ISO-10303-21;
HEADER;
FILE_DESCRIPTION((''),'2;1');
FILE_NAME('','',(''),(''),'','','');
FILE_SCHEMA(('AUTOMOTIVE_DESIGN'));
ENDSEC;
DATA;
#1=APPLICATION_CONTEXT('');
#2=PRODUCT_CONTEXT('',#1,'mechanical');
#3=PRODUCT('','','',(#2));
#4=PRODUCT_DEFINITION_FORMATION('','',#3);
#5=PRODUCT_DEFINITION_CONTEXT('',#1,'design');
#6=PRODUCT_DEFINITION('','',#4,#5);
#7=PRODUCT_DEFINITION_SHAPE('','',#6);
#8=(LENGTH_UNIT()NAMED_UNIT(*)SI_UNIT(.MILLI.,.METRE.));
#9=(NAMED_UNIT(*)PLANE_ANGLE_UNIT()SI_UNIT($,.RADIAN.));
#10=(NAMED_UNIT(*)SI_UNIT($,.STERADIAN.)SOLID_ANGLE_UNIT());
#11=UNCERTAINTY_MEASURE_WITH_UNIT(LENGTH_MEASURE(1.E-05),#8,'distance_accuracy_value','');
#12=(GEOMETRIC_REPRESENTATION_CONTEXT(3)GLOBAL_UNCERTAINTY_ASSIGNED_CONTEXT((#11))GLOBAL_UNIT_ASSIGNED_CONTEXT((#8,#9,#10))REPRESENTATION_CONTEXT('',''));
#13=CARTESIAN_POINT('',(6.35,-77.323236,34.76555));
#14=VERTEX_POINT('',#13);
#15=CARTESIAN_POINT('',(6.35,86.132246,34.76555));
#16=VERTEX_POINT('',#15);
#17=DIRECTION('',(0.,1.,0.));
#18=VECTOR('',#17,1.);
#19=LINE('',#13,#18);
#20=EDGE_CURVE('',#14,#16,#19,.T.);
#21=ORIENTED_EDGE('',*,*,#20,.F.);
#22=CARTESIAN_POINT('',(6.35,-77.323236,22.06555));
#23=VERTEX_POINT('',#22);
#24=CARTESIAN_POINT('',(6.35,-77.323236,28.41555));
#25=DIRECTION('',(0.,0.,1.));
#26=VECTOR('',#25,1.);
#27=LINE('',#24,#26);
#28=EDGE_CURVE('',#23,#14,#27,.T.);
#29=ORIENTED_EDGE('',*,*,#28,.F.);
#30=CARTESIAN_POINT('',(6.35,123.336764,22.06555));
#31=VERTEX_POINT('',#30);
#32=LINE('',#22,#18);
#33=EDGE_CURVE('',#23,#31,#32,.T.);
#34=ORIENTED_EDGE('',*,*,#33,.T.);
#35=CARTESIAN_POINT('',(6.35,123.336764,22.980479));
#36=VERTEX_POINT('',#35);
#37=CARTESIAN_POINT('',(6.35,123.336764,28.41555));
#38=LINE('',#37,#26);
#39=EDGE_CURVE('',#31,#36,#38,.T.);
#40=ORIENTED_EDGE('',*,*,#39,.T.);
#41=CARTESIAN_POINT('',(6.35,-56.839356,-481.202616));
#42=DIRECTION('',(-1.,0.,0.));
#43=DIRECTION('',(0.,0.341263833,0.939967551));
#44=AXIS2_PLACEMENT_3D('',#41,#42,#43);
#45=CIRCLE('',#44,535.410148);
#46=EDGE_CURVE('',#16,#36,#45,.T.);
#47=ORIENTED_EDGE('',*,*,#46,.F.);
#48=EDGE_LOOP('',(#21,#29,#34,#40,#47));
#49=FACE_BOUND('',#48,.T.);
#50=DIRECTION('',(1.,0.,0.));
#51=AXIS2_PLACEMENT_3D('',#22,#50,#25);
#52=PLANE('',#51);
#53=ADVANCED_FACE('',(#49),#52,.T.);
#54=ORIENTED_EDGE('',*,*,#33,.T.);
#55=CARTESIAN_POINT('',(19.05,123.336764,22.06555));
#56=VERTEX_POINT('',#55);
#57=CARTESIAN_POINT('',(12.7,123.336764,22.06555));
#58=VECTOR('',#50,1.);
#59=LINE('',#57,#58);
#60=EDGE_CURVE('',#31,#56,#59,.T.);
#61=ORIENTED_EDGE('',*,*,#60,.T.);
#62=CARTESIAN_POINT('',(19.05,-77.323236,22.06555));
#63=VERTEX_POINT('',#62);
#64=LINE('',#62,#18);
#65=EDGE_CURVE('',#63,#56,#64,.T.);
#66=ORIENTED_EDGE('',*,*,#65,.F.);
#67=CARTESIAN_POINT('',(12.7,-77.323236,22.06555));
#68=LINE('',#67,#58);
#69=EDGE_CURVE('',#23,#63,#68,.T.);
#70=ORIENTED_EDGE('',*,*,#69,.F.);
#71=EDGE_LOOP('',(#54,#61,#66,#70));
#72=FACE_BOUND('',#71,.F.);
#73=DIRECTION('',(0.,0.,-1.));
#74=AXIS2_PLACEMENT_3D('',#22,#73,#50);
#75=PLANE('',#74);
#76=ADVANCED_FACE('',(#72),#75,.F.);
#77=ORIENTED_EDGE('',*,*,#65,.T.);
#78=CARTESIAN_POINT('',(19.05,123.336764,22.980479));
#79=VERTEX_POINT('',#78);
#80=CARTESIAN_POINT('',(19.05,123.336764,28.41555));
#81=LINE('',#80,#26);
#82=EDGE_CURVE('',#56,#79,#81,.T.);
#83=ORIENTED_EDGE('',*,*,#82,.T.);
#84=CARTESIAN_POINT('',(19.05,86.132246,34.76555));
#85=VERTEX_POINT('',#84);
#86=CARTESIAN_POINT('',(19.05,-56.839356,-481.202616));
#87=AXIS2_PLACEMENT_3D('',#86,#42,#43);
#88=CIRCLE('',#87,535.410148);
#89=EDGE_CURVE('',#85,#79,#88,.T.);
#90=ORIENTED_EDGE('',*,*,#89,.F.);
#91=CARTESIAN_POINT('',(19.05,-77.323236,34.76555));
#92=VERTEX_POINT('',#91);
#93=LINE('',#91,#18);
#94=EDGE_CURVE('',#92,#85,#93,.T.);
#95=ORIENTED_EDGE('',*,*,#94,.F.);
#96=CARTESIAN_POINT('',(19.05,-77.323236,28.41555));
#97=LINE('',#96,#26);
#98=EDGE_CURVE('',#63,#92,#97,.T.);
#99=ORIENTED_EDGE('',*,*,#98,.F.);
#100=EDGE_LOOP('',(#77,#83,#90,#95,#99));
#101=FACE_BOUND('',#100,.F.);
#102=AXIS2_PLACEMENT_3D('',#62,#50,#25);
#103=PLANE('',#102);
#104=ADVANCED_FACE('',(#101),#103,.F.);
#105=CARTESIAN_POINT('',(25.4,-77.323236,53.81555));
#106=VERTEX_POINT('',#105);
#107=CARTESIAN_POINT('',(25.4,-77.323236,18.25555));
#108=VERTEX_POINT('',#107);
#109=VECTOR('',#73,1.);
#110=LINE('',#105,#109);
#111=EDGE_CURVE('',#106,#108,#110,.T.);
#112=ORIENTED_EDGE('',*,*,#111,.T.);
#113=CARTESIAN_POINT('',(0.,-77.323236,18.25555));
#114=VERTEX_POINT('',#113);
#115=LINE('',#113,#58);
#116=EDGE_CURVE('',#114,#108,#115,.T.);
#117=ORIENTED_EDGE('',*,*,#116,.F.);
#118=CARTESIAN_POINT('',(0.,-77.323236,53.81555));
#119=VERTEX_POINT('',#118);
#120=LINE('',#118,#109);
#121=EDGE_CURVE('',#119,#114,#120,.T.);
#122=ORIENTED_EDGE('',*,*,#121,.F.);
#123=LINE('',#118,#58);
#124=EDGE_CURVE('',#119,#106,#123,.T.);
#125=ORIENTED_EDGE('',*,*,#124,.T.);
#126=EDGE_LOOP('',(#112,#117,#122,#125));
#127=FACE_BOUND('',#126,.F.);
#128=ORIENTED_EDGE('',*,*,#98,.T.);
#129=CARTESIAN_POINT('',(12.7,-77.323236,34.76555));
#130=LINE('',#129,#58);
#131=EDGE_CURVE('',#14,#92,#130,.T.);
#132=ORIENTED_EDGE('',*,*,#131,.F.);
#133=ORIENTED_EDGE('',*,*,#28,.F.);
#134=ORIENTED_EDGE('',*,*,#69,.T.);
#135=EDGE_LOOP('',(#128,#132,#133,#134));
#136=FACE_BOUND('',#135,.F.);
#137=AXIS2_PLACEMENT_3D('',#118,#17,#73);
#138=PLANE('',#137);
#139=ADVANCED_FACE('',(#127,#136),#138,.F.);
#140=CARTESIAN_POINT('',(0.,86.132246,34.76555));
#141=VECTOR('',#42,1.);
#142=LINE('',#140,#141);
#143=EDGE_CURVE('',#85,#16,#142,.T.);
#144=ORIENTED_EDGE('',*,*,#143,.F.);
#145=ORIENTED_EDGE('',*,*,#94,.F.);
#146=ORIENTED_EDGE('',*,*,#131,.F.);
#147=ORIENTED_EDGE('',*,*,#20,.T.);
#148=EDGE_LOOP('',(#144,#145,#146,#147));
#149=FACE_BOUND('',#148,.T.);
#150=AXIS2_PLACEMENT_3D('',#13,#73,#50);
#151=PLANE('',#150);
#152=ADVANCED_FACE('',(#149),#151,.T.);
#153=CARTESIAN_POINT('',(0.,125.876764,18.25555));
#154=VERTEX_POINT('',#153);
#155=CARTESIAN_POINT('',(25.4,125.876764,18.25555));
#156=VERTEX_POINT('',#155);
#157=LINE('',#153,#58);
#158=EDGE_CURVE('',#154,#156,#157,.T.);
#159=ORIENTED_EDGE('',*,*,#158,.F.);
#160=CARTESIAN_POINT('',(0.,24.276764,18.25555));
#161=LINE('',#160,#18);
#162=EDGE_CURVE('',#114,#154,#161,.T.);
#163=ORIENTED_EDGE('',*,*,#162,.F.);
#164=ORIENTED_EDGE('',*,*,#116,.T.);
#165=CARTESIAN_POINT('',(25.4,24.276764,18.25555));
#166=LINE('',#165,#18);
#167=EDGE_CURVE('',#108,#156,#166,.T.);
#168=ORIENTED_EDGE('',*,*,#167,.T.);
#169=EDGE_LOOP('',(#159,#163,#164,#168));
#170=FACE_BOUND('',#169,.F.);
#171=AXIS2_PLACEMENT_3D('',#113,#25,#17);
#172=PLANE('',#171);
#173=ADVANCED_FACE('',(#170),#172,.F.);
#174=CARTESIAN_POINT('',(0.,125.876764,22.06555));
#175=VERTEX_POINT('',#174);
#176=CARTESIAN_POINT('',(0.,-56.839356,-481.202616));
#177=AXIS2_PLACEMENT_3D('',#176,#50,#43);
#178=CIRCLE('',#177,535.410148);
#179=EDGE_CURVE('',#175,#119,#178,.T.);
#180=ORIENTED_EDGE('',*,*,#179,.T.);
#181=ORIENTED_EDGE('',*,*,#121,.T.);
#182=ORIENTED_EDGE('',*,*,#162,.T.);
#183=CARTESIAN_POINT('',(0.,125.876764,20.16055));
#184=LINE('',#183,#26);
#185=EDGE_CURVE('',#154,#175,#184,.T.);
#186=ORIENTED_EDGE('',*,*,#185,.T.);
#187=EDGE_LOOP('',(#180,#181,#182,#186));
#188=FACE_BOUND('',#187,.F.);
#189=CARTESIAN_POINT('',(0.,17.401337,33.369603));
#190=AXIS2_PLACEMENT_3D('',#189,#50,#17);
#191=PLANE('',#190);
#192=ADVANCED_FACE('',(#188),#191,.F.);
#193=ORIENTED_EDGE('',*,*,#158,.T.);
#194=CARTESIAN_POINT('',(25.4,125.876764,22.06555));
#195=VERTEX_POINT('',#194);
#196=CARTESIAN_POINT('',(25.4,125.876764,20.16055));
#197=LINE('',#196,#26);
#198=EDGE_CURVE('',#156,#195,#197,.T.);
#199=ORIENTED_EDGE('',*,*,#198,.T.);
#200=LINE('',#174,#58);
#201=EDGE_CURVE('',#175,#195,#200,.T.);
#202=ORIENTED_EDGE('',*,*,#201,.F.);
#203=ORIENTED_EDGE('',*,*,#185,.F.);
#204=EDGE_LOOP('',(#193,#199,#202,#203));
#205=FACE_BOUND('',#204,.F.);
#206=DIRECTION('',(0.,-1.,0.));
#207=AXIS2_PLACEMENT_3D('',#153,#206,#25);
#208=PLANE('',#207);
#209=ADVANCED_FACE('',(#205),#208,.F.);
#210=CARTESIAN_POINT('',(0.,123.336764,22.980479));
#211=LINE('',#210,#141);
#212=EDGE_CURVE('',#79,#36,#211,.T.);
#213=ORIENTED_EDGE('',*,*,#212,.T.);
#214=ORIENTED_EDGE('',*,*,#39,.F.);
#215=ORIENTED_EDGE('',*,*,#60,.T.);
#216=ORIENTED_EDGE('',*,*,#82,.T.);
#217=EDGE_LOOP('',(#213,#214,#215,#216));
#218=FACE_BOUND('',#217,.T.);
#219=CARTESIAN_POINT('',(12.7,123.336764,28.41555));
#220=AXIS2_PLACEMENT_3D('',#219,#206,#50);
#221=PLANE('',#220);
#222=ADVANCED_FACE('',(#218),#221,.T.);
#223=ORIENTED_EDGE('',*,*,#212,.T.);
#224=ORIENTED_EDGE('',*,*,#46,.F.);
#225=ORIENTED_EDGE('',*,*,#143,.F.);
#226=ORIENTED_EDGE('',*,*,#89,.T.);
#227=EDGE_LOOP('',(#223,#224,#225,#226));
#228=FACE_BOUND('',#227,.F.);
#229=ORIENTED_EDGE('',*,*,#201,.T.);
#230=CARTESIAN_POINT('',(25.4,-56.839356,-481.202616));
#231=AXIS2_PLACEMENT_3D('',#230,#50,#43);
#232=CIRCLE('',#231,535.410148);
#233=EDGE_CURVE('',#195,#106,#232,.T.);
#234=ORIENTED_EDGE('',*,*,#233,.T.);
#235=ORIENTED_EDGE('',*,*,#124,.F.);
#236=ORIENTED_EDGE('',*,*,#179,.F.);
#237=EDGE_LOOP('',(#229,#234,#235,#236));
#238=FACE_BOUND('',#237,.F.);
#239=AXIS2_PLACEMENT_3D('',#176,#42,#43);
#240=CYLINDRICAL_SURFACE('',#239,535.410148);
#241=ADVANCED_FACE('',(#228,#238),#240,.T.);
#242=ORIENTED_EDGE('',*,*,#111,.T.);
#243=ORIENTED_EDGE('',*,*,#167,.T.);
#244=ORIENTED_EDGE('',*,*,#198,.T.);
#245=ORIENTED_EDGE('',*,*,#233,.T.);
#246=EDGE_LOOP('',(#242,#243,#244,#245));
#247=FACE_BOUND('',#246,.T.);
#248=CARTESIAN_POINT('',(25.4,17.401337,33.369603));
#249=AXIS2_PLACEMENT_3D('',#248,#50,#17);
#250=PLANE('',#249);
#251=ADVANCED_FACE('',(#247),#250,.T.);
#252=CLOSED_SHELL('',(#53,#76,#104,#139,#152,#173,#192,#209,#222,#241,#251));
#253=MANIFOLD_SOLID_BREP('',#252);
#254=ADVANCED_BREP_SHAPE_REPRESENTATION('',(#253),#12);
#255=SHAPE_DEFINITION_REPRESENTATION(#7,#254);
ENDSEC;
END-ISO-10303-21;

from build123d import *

# Parameters (mm, degrees)
F0_W     = 203.2
F0_H     = 3.81
F1_DEPTH = 25.4
F2_W     = 12.7
F2_H     = 12.7
F3_DEPTH = 200.66


with BuildPart() as f1:
    # F0 (on Right) → F1 (new body)
    with BuildSketch(Plane.YZ):
        with BuildLine():
            Line((-77.323236, 53.81555), (-77.323236, 22.06555))
            Line((-77.323236, 22.06555), (125.876764, 22.06555))
            ThreePointArc((125.876764, 22.06555), (25.815592, 47.789054), (-77.323236, 53.81555))
        make_face()
        with Locations((24.276764, 20.16055)):
            Rectangle(F0_W, F0_H)
    extrude(amount=F1_DEPTH)

    # F2 (on face) → F3 (cut)
    with BuildSketch(Plane.XZ.offset(77.323236)):
        with Locations((12.7, 28.41555)):
            Rectangle(F2_W, F2_H)
    extrude(amount=-F3_DEPTH, mode=Mode.SUBTRACT)


solid = f1.part
